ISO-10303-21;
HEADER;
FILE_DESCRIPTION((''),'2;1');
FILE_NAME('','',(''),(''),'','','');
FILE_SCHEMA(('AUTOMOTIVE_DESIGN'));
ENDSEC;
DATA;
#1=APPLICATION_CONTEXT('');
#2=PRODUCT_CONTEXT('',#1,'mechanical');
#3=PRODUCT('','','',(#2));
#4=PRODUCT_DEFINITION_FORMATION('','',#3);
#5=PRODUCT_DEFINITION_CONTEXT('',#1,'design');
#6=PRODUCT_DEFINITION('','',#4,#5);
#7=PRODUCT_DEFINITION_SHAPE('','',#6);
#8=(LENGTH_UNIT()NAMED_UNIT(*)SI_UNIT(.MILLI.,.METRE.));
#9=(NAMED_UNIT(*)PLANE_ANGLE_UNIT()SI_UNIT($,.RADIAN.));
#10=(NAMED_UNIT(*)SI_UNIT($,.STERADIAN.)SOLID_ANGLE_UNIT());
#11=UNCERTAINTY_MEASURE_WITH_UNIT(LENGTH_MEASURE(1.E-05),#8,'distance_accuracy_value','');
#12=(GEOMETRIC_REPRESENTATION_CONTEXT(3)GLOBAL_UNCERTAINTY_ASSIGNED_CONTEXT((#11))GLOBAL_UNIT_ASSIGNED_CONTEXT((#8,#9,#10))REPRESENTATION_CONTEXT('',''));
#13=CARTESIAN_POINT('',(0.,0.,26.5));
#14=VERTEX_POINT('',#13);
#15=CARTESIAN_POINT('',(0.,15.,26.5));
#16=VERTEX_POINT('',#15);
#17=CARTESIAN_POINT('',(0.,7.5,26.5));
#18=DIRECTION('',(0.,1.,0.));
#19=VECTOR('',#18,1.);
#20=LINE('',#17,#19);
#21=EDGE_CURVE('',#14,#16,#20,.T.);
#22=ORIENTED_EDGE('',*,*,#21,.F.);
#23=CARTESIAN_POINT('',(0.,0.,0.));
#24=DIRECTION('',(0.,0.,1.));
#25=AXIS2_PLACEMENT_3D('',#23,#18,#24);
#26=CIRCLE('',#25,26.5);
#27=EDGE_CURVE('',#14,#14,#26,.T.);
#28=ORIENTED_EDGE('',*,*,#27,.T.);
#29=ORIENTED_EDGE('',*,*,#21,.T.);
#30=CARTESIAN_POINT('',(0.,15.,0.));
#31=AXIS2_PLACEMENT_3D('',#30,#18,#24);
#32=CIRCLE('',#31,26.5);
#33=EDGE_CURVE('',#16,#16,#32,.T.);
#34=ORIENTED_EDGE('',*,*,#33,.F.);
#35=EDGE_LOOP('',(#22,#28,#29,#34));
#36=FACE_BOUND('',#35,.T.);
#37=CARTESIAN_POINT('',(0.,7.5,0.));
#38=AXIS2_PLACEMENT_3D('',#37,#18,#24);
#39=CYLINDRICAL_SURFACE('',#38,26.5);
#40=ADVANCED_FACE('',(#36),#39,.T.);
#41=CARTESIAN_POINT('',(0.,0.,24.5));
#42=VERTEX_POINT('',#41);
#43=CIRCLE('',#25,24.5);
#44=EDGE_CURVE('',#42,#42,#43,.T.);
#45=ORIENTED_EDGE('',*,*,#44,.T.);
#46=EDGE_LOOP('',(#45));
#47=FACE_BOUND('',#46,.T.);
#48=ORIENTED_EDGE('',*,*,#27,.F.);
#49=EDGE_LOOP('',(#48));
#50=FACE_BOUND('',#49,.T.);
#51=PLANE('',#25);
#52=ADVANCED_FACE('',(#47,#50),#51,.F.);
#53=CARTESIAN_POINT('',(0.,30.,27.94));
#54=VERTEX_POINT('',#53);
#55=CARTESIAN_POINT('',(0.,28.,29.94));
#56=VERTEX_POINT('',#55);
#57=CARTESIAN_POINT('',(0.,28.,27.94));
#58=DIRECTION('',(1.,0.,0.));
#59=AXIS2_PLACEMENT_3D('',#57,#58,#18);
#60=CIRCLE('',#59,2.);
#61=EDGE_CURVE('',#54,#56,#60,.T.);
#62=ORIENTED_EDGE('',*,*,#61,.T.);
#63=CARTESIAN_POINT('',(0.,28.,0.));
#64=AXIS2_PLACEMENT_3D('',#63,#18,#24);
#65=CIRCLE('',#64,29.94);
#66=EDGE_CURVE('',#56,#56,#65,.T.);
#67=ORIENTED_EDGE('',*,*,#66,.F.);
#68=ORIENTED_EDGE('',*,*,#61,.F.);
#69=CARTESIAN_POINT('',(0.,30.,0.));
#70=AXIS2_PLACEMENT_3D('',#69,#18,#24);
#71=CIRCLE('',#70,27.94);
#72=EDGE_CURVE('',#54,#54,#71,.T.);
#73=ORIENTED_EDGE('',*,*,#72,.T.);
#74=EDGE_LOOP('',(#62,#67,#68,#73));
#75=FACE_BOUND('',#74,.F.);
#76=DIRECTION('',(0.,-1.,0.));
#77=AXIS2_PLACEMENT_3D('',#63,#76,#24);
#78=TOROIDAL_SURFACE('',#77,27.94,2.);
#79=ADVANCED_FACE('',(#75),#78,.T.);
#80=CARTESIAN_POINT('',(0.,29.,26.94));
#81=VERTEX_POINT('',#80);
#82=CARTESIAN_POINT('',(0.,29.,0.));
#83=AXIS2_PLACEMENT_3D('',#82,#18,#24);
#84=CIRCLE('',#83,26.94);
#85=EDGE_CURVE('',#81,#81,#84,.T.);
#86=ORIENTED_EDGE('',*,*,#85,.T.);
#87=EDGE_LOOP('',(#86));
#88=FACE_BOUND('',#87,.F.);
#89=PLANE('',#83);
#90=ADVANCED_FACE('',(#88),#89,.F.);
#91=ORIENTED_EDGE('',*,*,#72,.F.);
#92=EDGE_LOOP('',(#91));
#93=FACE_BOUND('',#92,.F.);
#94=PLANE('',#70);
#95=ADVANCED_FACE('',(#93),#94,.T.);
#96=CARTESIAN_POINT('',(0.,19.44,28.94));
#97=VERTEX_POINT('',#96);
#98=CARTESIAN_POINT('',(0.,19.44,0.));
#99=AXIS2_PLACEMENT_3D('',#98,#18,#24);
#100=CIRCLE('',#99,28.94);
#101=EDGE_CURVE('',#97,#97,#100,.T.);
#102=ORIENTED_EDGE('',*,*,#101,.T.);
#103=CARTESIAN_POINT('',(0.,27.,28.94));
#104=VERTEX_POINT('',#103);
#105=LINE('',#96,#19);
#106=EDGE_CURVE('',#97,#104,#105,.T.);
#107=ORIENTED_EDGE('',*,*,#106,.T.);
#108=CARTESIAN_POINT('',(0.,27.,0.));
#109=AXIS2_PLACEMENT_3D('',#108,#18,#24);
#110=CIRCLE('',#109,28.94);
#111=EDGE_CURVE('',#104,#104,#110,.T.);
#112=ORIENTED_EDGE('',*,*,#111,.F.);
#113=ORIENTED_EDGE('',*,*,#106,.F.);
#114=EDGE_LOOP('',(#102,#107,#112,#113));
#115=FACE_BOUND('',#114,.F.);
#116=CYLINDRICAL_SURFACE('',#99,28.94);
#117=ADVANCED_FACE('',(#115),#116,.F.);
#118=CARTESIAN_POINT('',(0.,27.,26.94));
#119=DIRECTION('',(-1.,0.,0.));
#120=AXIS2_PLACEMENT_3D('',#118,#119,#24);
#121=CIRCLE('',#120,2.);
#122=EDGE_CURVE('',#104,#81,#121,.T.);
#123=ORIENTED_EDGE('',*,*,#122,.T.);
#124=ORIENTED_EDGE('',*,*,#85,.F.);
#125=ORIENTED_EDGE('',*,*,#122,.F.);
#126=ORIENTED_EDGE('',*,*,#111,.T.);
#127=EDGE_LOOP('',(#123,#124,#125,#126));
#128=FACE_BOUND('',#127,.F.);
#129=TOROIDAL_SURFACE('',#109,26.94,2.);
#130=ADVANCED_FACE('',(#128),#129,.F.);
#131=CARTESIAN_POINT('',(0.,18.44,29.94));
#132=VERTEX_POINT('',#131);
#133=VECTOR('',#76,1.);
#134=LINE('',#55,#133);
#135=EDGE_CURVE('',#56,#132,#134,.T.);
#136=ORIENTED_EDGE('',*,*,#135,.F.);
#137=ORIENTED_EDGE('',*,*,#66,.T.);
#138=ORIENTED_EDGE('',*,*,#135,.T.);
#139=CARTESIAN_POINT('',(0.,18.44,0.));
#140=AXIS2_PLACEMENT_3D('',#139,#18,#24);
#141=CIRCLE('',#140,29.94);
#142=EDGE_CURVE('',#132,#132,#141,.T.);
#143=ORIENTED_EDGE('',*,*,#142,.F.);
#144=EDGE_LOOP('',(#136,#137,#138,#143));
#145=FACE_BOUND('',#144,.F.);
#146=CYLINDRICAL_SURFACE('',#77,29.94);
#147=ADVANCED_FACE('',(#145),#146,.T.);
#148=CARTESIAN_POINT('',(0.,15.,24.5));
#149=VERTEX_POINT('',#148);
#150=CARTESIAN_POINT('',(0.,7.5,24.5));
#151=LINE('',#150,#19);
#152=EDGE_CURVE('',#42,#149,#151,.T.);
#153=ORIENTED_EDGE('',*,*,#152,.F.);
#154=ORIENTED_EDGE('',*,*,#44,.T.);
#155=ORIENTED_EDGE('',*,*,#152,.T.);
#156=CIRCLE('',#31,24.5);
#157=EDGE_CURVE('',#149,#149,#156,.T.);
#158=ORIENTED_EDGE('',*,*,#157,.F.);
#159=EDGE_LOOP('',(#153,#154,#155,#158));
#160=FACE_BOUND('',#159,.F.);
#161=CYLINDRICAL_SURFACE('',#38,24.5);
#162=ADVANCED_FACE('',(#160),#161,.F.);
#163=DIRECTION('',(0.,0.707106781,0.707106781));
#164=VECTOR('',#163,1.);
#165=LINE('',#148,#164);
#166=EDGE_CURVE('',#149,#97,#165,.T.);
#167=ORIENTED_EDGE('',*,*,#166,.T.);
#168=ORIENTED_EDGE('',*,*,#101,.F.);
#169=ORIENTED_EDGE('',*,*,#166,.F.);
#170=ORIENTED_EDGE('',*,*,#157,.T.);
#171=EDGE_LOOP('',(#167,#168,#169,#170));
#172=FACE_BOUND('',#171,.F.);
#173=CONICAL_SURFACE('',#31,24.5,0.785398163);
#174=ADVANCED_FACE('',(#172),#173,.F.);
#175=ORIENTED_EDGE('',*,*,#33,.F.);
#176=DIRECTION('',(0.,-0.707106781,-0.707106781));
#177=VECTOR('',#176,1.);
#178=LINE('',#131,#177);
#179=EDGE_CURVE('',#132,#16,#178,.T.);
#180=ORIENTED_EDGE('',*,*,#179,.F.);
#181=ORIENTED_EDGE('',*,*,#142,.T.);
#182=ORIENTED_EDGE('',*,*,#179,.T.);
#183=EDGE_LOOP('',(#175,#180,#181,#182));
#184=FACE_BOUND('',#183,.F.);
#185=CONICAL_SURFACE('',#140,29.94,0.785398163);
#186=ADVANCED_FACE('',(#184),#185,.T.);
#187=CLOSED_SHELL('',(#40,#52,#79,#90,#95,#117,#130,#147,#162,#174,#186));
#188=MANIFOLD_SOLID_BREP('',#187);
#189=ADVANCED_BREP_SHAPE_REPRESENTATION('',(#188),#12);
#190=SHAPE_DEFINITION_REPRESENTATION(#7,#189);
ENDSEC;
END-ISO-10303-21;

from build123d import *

# Parameters (mm, degrees)
F0_W = 15
F0_H = 2


with BuildPart() as f1:
    # F0 (on Right) → F1 (revolve)
    with BuildSketch(Plane.YZ):
        with Locations((7.5, 25.5)):
            Rectangle(F0_W, F0_H)
        Polygon((15, 26.5), (15, 24.5), (19.44, 28.94), (17.44, 28.94), align=None)
        Polygon((17.44, 28.94), (19.44, 28.94), (20.44, 29.94), (18.44, 29.94), align=None)
        with BuildLine():
            Line((29, 26.94), (29, 0))
            Line((29, 0), (30, 0))
            Line((30, 0), (30, 27.94))
            ThreePointArc((30, 27.94), (29.4142135624, 29.3542135624), (28, 29.94))
            Line((28, 29.94), (20.44, 29.94))
            Line((20.44, 29.94), (19.44, 28.94))
            Line((19.44, 28.94), (27, 28.94))
            ThreePointArc((27, 28.94), (28.4142135624, 28.3542135624), (29, 26.94))
        make_face()
    revolve(axis=Axis((0, 7.5, 0), (0, 1, 0)))


solid = f1.part
